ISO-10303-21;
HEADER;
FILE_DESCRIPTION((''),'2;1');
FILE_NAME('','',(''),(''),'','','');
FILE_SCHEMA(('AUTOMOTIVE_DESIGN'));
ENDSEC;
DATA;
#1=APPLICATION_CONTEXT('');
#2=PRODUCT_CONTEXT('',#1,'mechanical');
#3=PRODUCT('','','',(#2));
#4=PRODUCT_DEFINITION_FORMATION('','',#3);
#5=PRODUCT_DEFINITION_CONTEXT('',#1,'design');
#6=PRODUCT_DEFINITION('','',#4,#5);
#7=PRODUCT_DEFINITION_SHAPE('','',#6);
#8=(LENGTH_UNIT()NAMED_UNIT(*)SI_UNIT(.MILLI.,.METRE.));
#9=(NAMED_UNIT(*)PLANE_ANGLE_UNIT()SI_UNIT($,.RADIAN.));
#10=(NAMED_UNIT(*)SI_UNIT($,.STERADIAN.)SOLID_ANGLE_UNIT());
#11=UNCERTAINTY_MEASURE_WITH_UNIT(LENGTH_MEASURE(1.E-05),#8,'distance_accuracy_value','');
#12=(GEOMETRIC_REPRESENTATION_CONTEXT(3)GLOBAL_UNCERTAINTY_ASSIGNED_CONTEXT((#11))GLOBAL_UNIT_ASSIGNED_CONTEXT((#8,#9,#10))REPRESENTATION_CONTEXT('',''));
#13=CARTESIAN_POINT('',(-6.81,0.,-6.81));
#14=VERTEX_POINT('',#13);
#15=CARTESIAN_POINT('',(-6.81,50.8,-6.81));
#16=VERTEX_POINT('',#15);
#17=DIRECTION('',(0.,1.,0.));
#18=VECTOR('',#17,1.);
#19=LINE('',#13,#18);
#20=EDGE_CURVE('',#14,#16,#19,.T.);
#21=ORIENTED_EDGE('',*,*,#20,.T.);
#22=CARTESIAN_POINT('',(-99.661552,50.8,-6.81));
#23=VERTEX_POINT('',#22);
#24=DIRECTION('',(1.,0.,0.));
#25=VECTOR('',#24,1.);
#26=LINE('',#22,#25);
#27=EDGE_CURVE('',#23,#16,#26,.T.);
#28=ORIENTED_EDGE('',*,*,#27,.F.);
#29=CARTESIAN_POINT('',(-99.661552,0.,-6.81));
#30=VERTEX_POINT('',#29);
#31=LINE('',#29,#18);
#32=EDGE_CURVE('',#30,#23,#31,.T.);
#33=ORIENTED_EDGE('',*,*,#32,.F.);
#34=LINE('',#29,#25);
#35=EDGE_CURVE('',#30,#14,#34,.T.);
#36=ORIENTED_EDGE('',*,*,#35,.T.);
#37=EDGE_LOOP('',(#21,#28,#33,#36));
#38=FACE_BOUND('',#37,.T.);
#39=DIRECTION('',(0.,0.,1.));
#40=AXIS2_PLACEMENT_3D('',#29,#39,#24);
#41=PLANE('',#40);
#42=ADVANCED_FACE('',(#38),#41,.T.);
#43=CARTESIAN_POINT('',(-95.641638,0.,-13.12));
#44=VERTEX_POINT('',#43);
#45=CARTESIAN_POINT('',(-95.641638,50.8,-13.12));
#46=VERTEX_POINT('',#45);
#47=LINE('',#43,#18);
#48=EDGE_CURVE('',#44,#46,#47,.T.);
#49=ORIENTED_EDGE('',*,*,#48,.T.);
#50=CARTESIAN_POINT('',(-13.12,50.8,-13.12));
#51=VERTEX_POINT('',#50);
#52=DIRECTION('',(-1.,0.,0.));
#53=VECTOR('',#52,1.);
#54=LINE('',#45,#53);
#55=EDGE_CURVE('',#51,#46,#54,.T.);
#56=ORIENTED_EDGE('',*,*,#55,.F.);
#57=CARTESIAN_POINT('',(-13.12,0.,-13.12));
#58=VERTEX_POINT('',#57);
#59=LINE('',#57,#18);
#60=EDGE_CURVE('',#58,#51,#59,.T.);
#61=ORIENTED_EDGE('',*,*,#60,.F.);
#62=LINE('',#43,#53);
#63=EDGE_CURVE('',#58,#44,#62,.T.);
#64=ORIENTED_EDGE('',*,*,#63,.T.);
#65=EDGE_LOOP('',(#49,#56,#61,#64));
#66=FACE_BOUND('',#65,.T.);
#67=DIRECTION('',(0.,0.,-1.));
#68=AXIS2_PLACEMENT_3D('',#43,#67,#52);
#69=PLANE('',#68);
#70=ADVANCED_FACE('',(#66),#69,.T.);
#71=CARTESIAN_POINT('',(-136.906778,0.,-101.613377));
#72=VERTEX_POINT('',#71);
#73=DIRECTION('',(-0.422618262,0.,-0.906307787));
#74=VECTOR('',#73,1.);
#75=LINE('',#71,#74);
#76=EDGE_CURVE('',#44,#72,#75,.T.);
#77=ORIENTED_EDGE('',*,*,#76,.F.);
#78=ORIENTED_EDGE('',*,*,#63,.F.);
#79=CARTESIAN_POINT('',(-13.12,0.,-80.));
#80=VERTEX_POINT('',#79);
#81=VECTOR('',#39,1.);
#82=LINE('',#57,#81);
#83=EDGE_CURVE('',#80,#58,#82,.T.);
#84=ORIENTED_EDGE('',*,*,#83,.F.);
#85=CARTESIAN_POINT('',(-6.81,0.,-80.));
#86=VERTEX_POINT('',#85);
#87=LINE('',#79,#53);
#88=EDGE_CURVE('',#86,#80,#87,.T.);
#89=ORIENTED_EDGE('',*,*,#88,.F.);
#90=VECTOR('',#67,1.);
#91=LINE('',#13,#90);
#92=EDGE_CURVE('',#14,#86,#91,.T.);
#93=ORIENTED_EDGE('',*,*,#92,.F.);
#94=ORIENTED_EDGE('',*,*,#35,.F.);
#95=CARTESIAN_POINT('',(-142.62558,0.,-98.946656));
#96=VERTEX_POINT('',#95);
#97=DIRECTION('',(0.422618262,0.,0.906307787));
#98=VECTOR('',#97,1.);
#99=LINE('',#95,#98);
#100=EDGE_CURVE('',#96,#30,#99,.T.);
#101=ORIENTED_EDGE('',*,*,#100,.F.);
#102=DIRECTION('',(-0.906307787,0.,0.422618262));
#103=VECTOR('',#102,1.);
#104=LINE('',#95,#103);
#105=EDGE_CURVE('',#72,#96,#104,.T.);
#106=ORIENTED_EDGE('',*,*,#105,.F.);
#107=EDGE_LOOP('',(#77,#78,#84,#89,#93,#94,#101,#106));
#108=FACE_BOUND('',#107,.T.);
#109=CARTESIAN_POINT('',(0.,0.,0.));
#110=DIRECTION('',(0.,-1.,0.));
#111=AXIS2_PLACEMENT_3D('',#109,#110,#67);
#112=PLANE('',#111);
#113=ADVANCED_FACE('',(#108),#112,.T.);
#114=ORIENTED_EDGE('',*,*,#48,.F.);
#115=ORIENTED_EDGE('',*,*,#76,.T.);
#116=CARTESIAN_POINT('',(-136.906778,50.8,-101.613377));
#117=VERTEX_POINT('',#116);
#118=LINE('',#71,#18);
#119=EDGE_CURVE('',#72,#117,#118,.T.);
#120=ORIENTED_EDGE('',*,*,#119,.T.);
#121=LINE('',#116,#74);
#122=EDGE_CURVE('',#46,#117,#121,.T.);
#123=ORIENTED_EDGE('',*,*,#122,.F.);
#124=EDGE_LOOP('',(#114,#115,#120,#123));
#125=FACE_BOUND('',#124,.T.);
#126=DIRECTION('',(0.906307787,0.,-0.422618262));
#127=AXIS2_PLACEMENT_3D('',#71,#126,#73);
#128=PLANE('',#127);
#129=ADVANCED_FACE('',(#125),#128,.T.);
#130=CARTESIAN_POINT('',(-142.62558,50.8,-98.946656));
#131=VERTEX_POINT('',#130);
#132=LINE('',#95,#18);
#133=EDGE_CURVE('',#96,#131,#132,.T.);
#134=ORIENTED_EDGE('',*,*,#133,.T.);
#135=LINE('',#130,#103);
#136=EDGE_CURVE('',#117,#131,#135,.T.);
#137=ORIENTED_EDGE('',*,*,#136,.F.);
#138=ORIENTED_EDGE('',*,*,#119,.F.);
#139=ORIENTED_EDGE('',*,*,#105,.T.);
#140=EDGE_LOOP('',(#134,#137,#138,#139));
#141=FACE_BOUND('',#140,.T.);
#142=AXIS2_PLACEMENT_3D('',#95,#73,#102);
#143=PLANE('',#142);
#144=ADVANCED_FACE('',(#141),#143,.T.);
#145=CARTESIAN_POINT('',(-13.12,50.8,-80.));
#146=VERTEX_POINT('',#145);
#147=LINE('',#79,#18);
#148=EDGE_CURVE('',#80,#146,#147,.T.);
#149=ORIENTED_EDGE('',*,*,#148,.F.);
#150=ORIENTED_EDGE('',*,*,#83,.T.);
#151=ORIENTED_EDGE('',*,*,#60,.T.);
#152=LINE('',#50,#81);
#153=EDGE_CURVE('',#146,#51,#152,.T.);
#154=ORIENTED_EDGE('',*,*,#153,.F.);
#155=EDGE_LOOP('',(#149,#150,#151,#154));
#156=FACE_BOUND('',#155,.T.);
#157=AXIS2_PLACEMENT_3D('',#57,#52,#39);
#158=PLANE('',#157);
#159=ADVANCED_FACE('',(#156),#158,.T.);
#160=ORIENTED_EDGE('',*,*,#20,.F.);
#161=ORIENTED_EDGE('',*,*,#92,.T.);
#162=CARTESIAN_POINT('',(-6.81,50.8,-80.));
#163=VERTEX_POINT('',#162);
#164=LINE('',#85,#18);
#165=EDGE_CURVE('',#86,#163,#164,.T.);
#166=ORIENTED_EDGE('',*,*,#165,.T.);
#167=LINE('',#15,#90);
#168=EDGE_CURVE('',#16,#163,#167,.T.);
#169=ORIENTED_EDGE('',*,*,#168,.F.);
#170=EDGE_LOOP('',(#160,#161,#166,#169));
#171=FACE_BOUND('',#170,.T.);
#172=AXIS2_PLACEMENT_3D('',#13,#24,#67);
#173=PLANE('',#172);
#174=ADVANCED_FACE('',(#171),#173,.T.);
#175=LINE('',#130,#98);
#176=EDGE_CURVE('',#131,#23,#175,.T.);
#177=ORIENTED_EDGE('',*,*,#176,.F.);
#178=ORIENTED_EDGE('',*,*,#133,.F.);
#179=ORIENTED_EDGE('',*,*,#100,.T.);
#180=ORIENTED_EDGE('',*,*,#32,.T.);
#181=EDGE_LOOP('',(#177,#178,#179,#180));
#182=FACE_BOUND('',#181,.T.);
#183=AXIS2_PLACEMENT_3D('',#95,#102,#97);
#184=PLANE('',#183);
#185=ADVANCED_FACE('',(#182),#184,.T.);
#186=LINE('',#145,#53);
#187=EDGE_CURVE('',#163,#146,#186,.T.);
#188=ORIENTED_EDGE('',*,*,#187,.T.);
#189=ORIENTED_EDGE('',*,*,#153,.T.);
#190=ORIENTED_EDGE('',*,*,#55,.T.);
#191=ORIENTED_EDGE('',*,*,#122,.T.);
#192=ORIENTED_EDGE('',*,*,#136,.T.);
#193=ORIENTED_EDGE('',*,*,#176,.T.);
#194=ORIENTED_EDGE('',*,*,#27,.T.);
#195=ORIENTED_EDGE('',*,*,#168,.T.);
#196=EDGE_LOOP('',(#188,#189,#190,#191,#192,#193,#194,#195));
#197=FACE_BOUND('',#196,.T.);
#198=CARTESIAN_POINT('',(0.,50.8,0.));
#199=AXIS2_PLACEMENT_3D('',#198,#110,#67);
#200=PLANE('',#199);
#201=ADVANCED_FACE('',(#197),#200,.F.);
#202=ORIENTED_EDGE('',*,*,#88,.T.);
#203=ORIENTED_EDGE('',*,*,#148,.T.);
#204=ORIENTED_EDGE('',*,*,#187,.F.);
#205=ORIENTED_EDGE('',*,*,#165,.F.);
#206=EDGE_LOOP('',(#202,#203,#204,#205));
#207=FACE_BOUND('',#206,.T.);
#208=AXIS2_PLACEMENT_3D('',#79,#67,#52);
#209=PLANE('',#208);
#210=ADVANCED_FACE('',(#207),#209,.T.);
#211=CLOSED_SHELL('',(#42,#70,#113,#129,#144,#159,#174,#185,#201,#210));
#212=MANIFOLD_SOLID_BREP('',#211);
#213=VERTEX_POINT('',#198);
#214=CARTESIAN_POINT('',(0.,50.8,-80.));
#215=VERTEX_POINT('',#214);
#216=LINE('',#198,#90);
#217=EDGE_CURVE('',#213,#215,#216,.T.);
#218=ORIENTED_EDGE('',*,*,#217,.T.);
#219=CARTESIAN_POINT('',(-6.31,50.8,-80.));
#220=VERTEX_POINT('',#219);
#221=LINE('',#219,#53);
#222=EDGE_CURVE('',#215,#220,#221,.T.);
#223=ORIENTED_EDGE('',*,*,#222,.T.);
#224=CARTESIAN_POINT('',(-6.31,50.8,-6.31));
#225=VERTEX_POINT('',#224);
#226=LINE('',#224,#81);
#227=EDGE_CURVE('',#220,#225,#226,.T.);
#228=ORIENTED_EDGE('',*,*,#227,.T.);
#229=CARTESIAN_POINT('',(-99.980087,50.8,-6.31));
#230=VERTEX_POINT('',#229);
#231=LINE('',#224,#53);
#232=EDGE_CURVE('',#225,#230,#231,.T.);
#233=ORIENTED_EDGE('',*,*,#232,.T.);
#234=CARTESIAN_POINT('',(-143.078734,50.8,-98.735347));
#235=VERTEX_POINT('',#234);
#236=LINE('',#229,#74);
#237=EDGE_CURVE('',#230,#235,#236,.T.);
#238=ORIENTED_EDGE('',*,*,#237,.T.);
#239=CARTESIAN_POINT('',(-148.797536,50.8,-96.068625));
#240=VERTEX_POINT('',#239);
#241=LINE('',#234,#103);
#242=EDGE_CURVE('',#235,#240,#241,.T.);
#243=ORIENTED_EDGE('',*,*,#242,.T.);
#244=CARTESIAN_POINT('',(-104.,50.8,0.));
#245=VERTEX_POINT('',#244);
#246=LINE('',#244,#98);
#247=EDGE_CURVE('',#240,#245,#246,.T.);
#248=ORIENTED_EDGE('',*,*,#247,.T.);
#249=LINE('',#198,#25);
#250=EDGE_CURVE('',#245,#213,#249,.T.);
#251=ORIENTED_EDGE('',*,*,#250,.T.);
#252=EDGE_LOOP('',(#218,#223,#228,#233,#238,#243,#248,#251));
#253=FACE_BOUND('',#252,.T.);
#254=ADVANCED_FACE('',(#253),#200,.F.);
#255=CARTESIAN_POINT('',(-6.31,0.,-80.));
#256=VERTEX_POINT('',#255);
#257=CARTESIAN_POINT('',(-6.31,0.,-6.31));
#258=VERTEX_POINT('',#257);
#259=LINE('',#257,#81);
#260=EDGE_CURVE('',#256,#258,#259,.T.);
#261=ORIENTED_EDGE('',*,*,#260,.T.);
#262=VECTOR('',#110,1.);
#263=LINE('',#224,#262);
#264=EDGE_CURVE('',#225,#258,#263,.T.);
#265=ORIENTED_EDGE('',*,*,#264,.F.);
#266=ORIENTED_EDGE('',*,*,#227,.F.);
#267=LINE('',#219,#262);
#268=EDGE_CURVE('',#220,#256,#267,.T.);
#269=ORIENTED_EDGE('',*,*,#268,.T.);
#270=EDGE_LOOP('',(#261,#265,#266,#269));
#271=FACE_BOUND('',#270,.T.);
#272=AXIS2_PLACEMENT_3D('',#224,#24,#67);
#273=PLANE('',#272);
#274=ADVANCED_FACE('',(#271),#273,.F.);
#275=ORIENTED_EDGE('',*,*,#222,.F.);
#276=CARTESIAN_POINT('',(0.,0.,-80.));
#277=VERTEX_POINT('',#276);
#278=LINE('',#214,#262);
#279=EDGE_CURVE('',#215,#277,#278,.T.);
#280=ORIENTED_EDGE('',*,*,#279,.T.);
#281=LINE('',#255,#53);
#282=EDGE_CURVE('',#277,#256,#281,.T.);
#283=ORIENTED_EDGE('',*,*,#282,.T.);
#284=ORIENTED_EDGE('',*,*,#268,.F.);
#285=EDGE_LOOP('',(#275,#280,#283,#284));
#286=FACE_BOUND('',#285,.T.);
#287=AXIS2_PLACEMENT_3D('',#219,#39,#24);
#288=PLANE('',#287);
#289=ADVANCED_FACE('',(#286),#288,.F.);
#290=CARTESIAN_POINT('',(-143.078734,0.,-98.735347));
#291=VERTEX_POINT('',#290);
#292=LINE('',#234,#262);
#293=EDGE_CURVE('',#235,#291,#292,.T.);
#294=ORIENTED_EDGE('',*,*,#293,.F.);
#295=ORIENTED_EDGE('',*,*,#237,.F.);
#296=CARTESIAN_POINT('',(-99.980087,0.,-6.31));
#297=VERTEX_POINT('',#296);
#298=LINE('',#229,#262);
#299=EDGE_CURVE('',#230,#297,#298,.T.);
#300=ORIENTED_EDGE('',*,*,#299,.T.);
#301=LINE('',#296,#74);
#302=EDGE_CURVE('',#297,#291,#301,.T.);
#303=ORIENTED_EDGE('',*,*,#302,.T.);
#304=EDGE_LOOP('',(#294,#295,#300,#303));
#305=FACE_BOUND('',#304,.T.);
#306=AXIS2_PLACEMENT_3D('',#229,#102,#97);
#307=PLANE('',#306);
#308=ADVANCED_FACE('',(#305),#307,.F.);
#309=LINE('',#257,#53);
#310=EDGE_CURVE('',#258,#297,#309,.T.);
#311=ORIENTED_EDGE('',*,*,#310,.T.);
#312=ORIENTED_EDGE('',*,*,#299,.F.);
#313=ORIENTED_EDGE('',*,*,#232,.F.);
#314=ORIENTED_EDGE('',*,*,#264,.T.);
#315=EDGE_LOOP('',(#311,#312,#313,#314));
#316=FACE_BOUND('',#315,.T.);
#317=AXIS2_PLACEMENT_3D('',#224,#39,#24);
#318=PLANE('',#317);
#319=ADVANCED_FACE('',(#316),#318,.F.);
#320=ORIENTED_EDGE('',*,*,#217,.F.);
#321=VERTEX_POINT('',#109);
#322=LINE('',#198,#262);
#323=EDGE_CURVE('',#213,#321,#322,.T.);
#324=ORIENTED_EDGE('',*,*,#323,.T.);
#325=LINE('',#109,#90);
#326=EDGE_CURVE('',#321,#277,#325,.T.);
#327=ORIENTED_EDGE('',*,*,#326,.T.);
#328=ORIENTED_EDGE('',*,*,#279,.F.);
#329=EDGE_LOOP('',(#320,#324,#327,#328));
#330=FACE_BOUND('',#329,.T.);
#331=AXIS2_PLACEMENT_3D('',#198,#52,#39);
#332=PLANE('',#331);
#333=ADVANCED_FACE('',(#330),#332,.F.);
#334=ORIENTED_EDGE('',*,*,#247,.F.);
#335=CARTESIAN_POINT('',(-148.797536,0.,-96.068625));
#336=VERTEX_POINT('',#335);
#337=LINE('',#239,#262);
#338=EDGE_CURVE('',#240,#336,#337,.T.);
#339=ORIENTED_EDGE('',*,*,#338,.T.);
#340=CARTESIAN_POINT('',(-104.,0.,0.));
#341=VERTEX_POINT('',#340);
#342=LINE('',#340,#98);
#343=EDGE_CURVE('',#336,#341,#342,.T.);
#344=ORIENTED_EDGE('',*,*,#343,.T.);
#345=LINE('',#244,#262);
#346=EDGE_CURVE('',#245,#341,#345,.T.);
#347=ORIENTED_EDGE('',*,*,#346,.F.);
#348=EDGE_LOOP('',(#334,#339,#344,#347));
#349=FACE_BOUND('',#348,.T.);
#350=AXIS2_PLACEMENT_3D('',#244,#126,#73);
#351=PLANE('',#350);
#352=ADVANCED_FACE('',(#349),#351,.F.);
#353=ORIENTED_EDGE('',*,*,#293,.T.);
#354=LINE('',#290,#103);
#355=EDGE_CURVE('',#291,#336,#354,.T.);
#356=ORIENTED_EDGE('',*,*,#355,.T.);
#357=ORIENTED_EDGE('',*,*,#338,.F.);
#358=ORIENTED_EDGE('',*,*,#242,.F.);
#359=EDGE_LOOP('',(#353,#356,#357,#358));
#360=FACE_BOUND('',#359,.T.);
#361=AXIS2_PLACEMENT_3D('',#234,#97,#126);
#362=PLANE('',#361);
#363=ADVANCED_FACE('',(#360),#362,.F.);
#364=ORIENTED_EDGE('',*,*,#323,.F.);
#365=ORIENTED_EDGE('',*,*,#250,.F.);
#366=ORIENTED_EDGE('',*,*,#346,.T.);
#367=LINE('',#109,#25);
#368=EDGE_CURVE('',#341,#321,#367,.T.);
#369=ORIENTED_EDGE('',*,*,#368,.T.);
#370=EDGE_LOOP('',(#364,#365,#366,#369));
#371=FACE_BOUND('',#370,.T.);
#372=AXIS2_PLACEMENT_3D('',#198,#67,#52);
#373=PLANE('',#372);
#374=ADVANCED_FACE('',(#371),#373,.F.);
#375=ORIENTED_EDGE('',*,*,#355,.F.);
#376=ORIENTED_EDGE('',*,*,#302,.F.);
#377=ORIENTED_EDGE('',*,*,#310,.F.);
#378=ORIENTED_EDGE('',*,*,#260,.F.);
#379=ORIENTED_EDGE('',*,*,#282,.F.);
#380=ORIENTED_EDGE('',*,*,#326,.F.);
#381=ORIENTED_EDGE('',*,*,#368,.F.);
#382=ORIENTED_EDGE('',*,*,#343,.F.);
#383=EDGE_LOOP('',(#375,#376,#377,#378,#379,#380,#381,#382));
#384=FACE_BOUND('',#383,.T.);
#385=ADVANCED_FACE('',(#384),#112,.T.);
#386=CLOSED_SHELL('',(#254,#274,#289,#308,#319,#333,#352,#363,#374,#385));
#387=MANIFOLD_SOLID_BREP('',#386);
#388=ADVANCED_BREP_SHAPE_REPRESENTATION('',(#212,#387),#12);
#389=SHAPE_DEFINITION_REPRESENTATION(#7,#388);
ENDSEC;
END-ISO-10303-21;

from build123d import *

# Parameters (mm, degrees)
SALIENTE_EXTRUIR1_DEPTH = 50.8
SALIENTE_EXTRUIR2_DEPTH = 50.8


with BuildPart() as part:
    # Croquis1 → Saliente-Extruir1 (new body)
    with BuildSketch(Plane(origin=(0, 0, 0), x_dir=(1, 0, 0), z_dir=(0, 1, 0))):
        Polygon((0, 0), (-104, 0), (-148.797535745, 96.068625426), (-143.078733608, 98.735346657), (-99.980086654, 6.31), (-6.31, 6.31), (-6.31, 80), (0, 80), align=None)
    extrude(amount=SALIENTE_EXTRUIR1_DEPTH)


with BuildPart() as body_2:
    # Croquis2 → Saliente-Extruir2 (new body)
    with BuildSketch(Plane(origin=(0, 50.8, 0), x_dir=(1, 0, 0), z_dir=(0, 1, 0))):
        Polygon((-142.625579715, 98.946655788), (-99.661551524, 6.81), (-6.81, 6.81), (-6.81, 80), (-13.12, 80), (-13.12, 13.12), (-95.641638178, 13.12), (-136.906777579, 101.61337702), align=None)
    extrude(amount=-SALIENTE_EXTRUIR2_DEPTH)


solid = Compound([part.part, body_2.part])
